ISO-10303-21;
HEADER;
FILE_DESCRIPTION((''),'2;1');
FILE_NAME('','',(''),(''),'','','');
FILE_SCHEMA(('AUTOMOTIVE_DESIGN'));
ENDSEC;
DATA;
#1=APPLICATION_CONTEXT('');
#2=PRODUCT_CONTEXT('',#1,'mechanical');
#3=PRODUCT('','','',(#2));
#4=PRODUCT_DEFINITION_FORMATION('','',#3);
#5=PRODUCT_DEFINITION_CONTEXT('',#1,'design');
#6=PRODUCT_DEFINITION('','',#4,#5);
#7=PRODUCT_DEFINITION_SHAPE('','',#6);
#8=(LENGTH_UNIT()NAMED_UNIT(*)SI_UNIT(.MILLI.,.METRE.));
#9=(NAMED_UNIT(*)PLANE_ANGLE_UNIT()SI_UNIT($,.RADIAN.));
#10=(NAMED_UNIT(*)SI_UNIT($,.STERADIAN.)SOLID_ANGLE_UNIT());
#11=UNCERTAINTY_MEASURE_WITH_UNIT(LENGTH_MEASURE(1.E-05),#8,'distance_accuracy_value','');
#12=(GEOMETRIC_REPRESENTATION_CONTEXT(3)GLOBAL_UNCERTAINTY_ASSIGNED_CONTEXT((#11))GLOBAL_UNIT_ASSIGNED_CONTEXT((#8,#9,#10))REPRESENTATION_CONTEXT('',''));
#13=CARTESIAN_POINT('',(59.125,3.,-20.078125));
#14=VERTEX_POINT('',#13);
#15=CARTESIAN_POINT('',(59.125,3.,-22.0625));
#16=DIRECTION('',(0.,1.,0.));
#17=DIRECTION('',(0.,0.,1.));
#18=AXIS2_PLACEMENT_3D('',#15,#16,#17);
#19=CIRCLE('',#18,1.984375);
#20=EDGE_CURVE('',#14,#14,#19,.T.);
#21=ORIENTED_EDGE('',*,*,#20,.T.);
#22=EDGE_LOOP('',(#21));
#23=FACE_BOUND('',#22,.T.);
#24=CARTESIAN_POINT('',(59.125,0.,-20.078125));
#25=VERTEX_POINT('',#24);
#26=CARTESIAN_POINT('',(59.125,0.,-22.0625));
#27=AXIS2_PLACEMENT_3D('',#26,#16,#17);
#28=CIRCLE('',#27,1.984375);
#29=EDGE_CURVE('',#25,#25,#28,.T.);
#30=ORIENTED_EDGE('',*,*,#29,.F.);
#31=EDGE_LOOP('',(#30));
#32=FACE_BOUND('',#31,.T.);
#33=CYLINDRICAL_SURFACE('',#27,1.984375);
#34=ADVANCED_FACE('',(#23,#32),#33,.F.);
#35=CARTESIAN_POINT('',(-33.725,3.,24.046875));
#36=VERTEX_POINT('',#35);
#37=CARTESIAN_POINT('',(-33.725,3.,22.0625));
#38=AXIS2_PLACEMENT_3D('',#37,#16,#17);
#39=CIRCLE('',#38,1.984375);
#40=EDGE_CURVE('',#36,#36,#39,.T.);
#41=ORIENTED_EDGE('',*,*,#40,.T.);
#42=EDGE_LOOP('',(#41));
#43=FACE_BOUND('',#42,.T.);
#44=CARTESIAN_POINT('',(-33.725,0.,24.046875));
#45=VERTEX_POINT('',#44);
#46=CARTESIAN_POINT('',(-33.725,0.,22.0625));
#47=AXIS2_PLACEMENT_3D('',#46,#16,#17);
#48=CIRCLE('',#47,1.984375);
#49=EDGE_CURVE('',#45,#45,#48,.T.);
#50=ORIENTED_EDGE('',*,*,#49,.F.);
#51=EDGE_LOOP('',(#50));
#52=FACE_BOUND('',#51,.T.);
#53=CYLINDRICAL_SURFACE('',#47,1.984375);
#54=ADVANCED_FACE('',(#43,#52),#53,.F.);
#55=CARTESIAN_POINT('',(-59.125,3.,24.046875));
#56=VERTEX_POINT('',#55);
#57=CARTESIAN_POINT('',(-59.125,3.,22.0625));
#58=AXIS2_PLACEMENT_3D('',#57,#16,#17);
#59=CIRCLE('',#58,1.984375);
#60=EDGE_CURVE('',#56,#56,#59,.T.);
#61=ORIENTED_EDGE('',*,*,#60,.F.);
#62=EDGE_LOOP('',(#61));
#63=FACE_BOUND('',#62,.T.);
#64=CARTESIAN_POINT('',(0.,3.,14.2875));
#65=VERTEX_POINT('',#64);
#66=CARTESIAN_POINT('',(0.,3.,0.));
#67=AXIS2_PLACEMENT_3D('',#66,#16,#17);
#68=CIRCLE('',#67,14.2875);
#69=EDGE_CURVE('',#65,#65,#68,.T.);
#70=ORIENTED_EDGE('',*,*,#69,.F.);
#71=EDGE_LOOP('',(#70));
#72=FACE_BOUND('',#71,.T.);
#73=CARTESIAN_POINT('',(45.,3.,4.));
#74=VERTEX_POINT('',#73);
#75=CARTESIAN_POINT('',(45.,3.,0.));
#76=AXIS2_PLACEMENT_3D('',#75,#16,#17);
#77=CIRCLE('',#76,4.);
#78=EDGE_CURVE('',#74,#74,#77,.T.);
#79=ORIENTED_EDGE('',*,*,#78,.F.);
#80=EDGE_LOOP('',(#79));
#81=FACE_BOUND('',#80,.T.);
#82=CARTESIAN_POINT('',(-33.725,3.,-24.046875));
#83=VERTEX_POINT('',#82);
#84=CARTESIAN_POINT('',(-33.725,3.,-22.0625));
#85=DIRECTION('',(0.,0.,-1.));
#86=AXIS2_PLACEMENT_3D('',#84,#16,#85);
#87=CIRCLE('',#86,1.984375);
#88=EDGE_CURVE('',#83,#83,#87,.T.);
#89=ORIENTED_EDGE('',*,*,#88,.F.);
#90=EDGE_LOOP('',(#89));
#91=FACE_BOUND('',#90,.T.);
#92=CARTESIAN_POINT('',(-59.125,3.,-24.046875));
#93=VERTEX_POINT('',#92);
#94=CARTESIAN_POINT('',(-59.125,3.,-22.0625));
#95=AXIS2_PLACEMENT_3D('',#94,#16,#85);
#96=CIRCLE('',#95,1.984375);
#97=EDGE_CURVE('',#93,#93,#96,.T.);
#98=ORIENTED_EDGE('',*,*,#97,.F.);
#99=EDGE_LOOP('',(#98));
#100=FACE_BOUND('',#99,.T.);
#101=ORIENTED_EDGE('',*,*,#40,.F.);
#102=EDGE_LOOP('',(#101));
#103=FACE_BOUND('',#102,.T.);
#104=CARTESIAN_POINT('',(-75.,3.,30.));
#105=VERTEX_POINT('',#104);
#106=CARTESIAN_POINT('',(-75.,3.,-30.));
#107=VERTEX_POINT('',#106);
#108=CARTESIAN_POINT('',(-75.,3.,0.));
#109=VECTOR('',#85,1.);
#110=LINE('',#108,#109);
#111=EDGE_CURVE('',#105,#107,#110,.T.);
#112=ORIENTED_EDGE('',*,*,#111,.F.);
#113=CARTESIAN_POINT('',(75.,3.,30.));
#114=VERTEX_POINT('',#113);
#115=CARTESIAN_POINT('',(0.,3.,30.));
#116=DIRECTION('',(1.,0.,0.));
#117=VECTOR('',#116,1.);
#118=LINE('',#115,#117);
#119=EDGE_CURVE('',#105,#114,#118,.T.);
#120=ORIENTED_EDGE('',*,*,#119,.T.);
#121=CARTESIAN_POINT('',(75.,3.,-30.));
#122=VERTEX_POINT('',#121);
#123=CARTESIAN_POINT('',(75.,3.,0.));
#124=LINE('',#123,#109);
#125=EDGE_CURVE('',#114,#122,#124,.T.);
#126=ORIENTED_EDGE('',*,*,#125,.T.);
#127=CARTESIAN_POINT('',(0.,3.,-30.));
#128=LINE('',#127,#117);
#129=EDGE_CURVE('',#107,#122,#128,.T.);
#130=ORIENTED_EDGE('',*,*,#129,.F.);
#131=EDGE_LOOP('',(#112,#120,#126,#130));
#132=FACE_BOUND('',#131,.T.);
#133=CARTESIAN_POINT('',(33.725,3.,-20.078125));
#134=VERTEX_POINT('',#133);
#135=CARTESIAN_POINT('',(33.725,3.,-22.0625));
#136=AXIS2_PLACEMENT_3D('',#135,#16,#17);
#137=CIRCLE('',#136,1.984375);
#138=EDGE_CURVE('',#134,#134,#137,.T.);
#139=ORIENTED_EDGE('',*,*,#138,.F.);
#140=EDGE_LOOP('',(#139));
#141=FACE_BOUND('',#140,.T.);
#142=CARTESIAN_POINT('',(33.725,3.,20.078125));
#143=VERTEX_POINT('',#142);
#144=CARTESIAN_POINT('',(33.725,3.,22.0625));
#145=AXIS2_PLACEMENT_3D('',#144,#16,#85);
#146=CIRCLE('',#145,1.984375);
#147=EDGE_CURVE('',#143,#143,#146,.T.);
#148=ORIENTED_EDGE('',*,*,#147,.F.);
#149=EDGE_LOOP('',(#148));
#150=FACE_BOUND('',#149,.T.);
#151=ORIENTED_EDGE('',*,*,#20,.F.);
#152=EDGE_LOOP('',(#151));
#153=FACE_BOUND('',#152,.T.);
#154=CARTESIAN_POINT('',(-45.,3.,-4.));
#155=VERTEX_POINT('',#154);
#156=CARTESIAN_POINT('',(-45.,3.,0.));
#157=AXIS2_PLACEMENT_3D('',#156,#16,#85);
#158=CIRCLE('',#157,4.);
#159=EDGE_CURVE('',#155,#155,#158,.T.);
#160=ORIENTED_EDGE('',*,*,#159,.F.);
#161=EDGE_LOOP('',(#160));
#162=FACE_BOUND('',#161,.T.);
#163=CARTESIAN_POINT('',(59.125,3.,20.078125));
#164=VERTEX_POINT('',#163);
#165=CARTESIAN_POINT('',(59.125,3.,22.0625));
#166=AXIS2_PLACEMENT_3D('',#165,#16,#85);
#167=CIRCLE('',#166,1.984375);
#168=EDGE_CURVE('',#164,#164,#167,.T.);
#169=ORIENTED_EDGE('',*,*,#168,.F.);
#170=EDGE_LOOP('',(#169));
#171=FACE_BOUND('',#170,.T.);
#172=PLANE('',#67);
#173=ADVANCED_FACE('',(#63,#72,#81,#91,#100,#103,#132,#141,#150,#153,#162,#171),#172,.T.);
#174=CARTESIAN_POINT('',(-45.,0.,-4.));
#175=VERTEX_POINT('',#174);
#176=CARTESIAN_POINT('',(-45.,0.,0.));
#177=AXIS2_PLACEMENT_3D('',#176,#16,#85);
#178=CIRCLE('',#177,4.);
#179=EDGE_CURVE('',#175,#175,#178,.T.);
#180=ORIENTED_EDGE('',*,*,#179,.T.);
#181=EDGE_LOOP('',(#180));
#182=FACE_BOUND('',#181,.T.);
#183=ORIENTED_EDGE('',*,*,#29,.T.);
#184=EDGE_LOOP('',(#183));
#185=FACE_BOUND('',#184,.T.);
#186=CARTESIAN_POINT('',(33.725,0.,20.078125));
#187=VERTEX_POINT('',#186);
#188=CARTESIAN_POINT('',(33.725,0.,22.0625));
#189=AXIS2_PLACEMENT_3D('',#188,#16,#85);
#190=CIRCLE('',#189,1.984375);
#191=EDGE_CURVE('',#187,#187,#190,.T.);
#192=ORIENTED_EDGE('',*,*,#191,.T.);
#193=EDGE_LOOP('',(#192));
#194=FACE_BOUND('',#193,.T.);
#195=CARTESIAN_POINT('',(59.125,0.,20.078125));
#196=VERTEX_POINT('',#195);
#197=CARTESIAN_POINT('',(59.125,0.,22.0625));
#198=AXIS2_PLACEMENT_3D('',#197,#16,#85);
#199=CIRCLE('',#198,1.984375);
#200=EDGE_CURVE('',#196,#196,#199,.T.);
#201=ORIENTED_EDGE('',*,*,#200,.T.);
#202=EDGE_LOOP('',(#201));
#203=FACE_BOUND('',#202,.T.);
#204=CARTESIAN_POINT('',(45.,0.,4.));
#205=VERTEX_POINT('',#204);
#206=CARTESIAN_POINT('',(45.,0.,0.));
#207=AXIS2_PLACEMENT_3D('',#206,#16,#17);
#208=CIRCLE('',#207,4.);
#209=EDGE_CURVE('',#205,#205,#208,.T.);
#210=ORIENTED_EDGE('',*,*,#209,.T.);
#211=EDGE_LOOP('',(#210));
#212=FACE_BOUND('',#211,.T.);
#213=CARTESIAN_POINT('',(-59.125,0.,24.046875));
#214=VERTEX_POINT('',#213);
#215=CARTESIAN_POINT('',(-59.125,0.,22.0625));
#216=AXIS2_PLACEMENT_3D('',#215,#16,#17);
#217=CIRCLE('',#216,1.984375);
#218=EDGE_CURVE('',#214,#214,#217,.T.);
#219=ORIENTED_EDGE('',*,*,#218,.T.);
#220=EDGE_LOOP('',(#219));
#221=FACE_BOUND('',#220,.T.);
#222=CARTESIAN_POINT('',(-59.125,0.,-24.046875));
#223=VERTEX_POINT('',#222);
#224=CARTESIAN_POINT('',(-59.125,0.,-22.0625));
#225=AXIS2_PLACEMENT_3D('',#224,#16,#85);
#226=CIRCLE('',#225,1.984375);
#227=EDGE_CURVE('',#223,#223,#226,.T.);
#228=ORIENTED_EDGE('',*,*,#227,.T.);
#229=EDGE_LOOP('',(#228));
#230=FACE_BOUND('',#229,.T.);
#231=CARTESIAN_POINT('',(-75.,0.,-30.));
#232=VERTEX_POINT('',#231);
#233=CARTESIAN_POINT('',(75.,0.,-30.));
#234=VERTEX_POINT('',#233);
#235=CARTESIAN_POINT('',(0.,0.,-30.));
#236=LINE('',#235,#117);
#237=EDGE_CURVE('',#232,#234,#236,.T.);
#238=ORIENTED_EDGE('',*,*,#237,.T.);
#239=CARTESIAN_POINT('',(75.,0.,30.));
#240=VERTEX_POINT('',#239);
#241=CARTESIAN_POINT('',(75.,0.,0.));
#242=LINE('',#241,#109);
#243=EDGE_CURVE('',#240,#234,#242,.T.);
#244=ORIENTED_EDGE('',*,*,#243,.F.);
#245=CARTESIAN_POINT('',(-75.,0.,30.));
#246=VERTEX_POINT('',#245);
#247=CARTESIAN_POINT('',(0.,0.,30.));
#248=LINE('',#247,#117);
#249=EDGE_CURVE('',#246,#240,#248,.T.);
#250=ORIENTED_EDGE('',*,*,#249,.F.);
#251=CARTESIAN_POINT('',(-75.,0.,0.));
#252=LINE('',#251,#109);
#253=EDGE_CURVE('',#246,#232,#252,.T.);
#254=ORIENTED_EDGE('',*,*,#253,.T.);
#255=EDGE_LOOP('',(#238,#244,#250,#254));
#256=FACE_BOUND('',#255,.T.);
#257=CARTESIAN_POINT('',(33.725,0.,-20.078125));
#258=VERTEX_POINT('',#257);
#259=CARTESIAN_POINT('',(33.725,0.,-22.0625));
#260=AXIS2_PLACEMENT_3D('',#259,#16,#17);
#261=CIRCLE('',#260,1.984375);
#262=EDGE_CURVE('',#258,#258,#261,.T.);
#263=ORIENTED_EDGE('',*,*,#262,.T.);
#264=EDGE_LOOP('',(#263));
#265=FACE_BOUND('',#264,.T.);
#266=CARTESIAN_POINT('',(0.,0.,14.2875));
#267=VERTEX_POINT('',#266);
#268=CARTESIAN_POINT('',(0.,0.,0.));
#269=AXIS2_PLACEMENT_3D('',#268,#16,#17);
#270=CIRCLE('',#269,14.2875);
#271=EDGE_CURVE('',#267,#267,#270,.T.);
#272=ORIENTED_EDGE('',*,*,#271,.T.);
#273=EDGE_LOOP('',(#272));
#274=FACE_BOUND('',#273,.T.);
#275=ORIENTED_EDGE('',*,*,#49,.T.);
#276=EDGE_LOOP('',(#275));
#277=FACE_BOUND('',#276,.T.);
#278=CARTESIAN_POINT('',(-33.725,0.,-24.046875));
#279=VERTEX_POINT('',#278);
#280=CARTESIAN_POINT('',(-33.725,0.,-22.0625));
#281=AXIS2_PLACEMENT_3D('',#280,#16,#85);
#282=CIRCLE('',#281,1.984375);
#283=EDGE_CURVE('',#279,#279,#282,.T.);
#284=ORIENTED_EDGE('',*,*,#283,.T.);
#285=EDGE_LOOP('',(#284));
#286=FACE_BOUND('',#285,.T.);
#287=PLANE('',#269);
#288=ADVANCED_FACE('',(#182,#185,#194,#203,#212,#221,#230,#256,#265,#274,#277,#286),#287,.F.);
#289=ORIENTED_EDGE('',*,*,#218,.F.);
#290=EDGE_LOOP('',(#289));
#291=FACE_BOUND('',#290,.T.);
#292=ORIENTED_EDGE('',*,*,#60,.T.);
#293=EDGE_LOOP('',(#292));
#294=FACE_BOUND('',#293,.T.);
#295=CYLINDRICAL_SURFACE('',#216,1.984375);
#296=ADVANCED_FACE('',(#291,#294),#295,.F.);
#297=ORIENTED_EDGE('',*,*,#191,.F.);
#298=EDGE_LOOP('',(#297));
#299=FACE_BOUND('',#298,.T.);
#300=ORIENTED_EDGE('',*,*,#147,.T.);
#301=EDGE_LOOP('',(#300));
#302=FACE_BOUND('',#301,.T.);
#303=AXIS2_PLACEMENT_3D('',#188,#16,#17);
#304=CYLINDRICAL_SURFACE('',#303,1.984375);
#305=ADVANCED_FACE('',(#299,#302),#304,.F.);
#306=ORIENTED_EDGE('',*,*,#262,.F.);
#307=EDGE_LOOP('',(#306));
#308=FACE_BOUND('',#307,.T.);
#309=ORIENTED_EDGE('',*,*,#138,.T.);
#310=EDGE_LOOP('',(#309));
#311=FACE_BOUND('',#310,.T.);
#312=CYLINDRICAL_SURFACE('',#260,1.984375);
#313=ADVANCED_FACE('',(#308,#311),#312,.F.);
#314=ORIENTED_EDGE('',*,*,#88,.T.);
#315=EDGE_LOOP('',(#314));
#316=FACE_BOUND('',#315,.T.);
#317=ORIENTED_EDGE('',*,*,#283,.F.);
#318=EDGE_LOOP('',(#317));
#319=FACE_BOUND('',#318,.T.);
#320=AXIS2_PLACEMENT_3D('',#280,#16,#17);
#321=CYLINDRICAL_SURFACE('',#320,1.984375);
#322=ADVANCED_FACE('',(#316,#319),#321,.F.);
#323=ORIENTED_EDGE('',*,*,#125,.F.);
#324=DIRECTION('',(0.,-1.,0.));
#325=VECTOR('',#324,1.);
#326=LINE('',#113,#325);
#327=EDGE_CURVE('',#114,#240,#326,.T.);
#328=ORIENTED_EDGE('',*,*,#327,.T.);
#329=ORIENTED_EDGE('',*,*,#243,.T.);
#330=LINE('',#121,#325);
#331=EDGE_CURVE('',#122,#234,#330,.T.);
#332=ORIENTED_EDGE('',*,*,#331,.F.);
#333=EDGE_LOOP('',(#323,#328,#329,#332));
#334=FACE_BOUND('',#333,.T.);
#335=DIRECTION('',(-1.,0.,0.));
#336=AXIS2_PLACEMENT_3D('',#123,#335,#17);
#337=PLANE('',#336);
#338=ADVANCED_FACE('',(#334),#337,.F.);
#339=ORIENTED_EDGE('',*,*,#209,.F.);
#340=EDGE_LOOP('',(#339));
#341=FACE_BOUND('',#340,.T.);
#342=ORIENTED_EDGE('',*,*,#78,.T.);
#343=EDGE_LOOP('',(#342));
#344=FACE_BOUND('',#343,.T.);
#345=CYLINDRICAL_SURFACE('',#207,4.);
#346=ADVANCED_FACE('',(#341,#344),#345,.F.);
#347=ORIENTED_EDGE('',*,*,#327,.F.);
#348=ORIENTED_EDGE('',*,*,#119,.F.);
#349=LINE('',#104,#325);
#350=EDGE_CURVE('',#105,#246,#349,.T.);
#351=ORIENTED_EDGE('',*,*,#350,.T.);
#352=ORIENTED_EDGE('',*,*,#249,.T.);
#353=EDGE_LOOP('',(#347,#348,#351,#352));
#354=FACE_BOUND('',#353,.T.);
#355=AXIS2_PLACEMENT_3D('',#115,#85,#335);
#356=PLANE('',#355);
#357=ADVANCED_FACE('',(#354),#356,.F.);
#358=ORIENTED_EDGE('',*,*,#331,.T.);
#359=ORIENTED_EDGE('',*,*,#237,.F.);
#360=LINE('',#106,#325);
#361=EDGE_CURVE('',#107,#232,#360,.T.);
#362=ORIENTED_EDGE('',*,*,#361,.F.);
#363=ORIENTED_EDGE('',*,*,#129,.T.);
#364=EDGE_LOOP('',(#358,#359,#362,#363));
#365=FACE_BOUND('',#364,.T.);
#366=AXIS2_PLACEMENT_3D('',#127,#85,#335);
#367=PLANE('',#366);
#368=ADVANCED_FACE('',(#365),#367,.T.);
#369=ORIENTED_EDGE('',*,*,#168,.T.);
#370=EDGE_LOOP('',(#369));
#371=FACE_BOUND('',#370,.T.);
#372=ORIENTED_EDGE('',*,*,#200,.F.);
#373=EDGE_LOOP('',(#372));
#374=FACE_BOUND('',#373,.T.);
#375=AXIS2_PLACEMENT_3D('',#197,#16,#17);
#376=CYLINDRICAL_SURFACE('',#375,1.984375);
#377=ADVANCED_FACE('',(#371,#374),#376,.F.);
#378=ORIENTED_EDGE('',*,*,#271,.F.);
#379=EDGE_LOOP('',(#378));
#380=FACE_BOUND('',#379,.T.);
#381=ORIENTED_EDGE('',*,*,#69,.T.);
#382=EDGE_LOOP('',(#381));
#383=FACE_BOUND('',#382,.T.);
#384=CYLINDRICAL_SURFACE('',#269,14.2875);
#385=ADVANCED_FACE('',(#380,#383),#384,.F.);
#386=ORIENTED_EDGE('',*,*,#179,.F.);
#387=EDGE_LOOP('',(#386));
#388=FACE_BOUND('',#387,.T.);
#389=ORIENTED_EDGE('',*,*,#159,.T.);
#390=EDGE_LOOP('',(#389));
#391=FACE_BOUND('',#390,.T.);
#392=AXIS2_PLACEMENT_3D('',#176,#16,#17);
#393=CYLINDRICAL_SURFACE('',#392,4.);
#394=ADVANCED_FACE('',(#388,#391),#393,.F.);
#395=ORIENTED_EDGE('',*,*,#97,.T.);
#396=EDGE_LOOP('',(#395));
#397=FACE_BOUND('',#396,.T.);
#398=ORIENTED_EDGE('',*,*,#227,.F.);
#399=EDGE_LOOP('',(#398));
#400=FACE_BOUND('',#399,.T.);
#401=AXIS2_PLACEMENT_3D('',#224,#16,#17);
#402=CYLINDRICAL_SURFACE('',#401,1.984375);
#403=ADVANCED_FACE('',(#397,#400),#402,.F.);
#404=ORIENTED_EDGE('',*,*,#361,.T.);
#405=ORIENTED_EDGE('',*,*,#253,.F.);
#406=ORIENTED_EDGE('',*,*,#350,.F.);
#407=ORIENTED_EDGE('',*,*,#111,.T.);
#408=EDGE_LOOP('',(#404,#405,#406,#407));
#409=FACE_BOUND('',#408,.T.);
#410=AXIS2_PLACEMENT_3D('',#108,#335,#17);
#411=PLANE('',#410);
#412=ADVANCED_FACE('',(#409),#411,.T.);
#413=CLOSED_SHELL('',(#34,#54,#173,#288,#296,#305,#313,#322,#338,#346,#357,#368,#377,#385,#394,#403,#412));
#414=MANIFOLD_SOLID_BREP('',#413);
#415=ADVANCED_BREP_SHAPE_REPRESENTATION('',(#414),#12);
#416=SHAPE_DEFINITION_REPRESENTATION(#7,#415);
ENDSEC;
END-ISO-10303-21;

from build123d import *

# Parameters (mm, degrees)
SKETCH1_W           = 150
SKETCH1_H           = 60
BOSS_EXTRUDE1_DEPTH = 3
SKETCH2_R           = 14.2875
SKETCH2_R_2         = 1.984375
SKETCH2_R_3         = 4
CUT_EXTRUDE2_DEPTH  = 4


with BuildPart() as part:
    # Sketch1 → Boss-Extrude1 (new body)
    with BuildSketch(Plane(origin=(0, 0, 0), x_dir=(1, 0, 0), z_dir=(0, 1, 0))):
        Rectangle(SKETCH1_W, SKETCH1_H)
    extrude(amount=BOSS_EXTRUDE1_DEPTH)

    # Sketch2 → Cut-Extrude2 (cut, through all)
    with BuildSketch(Plane(origin=(0, 3, 0), x_dir=(1, 0, 0), z_dir=(0, 1, 0))):
        Circle(SKETCH2_R)
        with Locations((59.125, 22.0625)):
            Circle(SKETCH2_R_2)
        with Locations((33.725, 22.0625)):
            Circle(SKETCH2_R_2)
        with Locations((33.725, -22.0625)):
            Circle(SKETCH2_R_2)
        with Locations((59.125, -22.0625)):
            Circle(SKETCH2_R_2)
        with Locations((-33.725, 22.0625)):
            Circle(SKETCH2_R_2)
        with Locations((-59.125, 22.0625)):
            Circle(SKETCH2_R_2)
        with Locations((-59.125, -22.0625)):
            Circle(SKETCH2_R_2)
        with Locations((-33.725, -22.0625)):
            Circle(SKETCH2_R_2)
        with Locations((45, 0)):
            Circle(SKETCH2_R_3)
        with Locations((-45, 0)):
            Circle(SKETCH2_R_3)
    extrude(amount=-CUT_EXTRUDE2_DEPTH, mode=Mode.SUBTRACT)


solid = part.part
